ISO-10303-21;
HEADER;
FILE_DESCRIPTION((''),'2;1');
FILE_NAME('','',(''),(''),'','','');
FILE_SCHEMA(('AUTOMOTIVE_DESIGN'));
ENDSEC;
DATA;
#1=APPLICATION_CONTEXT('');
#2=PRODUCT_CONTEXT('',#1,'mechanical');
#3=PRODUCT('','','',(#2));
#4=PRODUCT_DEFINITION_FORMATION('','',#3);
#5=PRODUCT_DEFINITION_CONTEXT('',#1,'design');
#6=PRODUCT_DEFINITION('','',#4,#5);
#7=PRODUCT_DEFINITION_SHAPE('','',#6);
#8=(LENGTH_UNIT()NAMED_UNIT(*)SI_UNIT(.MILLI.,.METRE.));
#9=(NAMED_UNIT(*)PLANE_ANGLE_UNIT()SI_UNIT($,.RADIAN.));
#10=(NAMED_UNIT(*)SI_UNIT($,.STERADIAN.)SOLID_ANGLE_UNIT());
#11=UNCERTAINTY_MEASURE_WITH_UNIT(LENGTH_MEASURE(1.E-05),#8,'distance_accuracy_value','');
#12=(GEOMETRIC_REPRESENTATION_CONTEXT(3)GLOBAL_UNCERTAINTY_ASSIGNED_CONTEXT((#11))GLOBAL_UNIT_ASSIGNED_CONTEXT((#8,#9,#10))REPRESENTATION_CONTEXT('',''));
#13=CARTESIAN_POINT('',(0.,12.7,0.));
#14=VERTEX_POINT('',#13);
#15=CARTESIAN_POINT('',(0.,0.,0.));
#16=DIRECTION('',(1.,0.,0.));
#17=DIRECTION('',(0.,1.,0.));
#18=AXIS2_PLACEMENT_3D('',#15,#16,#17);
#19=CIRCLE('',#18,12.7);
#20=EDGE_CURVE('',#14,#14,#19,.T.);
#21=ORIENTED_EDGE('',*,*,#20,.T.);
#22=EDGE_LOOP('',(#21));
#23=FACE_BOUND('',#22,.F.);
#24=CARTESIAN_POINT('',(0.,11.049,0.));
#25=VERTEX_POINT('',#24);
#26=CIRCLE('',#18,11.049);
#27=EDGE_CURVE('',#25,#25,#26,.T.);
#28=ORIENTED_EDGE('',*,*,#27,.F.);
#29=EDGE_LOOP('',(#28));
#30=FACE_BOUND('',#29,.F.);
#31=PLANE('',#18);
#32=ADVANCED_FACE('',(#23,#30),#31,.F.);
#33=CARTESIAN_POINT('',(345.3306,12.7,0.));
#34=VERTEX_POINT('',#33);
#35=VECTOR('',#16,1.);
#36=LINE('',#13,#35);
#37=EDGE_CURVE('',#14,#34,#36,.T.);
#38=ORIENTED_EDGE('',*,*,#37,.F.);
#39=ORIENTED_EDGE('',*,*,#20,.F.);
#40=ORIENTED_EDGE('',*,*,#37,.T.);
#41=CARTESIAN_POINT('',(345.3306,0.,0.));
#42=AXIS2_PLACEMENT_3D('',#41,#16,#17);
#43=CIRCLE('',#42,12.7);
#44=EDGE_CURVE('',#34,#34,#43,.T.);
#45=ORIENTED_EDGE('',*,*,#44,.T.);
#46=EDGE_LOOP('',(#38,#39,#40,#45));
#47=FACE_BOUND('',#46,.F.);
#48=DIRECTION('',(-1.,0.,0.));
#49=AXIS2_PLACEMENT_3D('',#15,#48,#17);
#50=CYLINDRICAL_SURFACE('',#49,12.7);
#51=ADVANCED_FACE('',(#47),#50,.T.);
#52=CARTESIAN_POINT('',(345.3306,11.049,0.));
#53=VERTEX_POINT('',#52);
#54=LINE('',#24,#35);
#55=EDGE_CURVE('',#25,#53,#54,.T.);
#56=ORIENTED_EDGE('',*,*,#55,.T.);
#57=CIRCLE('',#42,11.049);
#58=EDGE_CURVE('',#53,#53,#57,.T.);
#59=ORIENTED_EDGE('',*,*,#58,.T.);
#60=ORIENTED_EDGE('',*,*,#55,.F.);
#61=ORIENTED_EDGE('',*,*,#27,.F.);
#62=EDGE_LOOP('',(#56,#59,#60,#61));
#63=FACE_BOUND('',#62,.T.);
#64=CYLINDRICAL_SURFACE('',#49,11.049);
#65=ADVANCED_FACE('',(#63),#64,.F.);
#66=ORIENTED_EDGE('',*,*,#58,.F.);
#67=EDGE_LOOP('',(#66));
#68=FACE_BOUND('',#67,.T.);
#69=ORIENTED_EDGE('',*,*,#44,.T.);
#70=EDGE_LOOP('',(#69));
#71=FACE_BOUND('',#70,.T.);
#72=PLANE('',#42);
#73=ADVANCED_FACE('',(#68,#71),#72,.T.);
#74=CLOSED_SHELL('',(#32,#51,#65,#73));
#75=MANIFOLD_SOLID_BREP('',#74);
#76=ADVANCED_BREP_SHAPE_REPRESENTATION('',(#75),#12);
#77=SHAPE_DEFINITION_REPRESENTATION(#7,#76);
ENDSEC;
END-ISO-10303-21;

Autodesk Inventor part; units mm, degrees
ref_plane "XZ Plane" through (0, 0, 0) normal (0, 1, 0) x (-1, 0, 0)
ref_plane "Start Plane" through (0, 0, 0) normal (1, 0, 0) x (0, 1, 0)
ref_plane "End Plane" through (345.3306, 0, 0) normal (1, 0, 0) x (0, 1, 0)
sketch "Sketch" plane through (0, 0, 0) normal (1, 0, 0) x (0, 1, 0)
  circle A0 centre (0, 0) radius 12.7
  circle A1 centre (0, 0) radius 11.049
  dimension "d0" = 25.4
  dimension "d1" = 1.651
extrude "Body" add sketch "Sketch" along normal up to surface (345.3306 mm away) from surface at 0
sketch "Sketch2" plane through (0, 0, 0) normal (1, 0, 0) x (0, 1, 0)
  line L0 (0, 0) -> (10, 0)
ref_plane "Work Plane3" through (0, 0, 0) normal (0, 0, -1) x (0, 1, 0)
sketch "Sketch3" plane through (0, 0, 0) normal (0, 0, -1) x (0, 1, 0)
  line L0 (-2, 0) -> (12, 0)
  line L1 (-2, 345.3306) -> (12, 345.3306)
  dimension "d9" = 345.3306
equation "\"G_OFFSET_START\" = 0"
equation "\"G_OFFSET_END\" = 0"
equation "\"d5\" = d2 + G_OFFSET_END"
equation "\"G_L\" = d9"
equation "\"d2\" = 345.330569"
properties part number "4130_1x0.065" material "Steel, Alloy"
